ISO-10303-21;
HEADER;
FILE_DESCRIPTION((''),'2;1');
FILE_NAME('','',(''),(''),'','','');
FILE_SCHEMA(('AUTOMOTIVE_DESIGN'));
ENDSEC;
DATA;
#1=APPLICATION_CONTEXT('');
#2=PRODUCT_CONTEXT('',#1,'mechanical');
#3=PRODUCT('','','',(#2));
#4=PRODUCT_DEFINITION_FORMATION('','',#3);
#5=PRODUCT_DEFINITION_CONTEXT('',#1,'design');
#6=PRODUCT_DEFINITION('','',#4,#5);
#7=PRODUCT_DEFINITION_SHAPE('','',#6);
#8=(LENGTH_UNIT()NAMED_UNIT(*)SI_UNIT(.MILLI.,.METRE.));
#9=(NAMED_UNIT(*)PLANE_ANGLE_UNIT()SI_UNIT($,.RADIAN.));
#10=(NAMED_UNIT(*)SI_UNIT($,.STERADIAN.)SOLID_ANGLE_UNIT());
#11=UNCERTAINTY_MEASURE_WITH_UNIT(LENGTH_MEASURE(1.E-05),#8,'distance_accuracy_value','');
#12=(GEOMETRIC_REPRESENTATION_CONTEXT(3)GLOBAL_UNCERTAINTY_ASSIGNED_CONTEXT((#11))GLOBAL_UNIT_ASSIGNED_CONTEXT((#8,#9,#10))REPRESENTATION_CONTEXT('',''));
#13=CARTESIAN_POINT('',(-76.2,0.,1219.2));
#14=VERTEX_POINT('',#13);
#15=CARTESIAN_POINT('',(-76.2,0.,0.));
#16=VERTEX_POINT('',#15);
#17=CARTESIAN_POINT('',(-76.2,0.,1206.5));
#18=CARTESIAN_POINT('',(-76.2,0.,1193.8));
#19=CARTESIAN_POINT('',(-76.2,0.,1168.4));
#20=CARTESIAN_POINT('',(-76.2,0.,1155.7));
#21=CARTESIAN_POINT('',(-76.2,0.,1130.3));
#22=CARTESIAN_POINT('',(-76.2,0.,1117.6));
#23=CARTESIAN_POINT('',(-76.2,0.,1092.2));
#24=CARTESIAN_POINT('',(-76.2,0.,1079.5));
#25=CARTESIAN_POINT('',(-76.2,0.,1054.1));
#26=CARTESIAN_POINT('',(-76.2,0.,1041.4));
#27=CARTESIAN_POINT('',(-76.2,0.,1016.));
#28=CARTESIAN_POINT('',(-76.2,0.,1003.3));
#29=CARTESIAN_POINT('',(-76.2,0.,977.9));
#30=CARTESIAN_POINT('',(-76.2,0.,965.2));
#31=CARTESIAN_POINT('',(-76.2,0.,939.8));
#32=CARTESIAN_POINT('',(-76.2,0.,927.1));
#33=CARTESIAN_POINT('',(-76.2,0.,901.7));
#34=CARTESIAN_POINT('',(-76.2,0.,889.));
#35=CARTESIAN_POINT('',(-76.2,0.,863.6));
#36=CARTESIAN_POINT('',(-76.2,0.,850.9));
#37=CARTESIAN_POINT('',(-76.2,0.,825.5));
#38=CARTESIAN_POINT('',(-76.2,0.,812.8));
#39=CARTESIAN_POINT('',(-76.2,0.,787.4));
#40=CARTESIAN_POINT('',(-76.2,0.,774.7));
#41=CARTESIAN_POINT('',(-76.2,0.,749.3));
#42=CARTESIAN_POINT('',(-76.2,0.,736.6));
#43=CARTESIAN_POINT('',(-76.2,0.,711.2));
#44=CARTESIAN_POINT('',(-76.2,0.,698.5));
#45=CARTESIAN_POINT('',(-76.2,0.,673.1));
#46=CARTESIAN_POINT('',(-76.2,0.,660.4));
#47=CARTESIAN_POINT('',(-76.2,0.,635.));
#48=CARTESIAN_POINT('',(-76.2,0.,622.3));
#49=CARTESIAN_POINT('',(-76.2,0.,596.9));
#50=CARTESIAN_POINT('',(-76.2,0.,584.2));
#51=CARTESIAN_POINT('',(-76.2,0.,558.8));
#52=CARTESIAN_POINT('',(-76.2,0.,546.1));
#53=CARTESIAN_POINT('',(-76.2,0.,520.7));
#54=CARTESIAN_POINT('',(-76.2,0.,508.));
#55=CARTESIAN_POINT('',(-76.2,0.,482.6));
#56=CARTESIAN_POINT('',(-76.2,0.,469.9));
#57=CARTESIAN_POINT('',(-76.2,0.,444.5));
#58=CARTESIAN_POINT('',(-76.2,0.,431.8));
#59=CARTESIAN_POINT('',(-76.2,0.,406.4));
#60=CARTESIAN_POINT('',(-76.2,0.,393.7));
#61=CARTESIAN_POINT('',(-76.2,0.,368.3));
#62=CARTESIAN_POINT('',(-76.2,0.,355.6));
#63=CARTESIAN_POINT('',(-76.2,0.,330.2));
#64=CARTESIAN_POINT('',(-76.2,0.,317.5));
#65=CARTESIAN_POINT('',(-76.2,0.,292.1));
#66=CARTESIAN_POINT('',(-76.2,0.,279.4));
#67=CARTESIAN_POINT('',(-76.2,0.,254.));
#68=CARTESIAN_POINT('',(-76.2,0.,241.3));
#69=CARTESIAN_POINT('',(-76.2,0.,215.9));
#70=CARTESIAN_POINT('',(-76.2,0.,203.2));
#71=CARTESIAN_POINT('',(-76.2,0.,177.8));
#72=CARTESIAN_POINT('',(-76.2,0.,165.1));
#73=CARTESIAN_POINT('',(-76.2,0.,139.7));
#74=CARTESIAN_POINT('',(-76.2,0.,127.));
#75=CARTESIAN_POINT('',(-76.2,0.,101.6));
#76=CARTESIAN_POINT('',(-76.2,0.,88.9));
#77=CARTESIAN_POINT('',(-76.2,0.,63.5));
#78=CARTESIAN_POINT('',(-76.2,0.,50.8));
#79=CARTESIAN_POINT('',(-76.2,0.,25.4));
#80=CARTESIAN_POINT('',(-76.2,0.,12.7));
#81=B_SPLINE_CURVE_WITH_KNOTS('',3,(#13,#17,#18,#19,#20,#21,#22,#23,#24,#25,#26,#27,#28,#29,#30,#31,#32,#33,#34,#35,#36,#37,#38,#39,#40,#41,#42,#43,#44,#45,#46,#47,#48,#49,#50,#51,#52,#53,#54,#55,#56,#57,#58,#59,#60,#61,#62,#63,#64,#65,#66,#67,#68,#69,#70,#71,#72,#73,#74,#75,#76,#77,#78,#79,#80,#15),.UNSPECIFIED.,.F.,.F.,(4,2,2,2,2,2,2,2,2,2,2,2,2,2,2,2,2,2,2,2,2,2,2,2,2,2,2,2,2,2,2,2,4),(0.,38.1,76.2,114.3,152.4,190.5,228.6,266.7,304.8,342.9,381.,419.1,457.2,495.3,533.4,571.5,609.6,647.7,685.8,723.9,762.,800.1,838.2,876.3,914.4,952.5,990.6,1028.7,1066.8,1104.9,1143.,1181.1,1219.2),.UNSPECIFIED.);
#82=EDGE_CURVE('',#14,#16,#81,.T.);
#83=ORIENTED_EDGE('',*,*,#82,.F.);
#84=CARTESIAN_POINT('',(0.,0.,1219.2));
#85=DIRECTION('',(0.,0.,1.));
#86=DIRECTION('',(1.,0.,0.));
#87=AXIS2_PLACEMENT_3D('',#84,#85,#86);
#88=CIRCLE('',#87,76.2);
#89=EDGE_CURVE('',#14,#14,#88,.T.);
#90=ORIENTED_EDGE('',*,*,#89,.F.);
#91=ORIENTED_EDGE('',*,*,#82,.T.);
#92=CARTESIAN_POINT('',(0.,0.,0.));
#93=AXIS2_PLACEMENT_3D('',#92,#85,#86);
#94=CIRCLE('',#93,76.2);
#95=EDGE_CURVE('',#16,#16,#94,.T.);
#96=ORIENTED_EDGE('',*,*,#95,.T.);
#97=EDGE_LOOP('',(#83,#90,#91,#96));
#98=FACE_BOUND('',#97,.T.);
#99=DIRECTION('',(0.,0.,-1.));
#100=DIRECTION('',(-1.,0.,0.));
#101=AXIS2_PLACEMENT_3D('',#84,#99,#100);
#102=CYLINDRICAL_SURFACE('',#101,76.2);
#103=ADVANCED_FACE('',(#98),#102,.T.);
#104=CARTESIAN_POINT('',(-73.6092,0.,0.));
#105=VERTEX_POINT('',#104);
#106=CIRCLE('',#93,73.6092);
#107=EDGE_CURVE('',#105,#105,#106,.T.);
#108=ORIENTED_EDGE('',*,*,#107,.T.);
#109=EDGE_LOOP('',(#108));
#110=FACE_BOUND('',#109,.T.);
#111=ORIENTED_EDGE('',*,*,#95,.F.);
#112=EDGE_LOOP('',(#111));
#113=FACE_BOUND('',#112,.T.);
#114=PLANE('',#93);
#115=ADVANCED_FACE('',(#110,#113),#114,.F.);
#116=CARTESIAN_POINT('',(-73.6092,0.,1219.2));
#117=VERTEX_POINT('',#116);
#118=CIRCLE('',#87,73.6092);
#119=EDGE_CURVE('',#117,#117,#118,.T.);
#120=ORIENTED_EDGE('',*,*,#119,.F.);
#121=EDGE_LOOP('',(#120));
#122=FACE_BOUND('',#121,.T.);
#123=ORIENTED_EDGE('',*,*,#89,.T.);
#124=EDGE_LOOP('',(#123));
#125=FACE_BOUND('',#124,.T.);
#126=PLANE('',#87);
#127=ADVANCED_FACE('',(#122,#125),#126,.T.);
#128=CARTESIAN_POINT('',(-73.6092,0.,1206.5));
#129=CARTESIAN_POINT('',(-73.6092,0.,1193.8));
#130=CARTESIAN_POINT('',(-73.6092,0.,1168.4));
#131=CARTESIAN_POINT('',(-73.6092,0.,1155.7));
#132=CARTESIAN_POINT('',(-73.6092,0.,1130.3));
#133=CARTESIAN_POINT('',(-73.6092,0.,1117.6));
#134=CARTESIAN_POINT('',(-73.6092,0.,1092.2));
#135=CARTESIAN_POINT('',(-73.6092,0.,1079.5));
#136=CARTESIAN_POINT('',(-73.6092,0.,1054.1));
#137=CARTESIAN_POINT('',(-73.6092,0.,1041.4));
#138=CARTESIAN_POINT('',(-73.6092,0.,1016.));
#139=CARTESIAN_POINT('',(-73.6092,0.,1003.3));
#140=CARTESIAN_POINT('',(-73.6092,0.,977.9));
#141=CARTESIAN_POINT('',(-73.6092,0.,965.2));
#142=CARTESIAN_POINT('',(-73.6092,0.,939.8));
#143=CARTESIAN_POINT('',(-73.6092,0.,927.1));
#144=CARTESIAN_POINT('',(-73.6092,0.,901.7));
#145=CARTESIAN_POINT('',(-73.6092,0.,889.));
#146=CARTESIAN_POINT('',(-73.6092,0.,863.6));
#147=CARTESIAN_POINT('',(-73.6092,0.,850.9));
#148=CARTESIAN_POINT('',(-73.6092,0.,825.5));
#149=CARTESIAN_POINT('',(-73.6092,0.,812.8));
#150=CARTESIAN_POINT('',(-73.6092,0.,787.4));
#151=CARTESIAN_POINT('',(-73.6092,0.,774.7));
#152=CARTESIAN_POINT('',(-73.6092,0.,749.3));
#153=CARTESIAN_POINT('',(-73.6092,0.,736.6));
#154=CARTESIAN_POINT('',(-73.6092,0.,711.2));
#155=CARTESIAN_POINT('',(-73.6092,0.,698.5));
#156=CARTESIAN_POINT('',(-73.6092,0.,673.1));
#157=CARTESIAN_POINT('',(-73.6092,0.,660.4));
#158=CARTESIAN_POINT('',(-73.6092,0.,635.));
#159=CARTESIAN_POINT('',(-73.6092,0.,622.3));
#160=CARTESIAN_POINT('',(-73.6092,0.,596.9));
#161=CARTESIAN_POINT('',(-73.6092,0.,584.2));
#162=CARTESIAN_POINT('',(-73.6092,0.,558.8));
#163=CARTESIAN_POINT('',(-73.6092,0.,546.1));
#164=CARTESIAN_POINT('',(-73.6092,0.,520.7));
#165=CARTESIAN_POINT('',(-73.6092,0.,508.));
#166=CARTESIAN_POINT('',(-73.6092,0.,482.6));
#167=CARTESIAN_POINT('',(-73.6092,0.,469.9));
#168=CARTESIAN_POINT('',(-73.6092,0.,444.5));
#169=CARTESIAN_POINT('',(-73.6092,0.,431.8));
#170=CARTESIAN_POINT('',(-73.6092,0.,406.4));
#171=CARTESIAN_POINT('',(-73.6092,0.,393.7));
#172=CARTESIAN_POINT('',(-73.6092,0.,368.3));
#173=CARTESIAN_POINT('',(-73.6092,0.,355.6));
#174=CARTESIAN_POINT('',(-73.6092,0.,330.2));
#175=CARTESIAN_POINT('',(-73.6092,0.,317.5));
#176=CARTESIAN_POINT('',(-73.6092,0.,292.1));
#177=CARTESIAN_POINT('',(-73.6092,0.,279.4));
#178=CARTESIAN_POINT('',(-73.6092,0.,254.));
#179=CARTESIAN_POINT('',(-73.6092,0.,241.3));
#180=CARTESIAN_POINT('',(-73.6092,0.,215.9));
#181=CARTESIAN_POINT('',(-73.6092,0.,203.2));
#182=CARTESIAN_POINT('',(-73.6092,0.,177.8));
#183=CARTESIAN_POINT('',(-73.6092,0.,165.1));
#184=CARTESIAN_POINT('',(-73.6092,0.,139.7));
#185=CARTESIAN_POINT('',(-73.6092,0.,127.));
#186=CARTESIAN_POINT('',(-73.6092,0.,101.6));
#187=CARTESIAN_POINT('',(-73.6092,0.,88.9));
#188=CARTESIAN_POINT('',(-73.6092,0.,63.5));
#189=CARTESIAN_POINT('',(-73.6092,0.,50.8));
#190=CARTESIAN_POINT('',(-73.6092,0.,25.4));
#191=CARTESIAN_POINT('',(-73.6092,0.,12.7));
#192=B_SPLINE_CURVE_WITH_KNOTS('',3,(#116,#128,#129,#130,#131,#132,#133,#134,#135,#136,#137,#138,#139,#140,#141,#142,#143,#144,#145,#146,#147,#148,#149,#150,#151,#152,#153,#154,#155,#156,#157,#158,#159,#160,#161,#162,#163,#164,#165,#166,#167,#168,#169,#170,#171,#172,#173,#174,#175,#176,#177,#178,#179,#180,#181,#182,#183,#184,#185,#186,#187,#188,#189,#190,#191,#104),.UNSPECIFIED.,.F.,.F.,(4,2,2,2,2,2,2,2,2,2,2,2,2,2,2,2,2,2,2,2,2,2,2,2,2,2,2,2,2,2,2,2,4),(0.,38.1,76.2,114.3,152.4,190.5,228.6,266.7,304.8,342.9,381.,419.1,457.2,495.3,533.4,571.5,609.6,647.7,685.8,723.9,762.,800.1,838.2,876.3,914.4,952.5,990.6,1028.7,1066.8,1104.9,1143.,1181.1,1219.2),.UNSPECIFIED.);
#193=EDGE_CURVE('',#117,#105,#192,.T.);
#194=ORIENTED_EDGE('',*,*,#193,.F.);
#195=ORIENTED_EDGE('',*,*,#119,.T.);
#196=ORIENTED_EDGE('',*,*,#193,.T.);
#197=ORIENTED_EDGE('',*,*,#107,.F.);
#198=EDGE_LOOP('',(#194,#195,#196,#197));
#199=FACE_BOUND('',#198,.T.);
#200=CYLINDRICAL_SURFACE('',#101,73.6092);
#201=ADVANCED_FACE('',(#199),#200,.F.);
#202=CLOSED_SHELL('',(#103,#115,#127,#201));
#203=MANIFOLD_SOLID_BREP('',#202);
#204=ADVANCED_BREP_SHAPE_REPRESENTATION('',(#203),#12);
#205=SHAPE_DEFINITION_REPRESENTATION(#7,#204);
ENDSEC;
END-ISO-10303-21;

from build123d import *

# Parameters (mm, degrees)
ESQUISSE1_R        = 76.2
ESQUISSE1_R_2      = 73.6092
BOSS_EXTRU_1_DEPTH = 1219.2


with BuildPart() as part:
    # Esquisse1 → Boss.-Extru.1 (new body)
    with BuildSketch(Plane.XY):
        with Locations(Location((0, 0, 0), (0, 0, 180))):
            Circle(ESQUISSE1_R)
        with Locations(Location((0, 0, 0), (0, 0, 180))):
            Circle(ESQUISSE1_R_2, mode=Mode.SUBTRACT)
    extrude(amount=BOSS_EXTRU_1_DEPTH)


solid = part.part
